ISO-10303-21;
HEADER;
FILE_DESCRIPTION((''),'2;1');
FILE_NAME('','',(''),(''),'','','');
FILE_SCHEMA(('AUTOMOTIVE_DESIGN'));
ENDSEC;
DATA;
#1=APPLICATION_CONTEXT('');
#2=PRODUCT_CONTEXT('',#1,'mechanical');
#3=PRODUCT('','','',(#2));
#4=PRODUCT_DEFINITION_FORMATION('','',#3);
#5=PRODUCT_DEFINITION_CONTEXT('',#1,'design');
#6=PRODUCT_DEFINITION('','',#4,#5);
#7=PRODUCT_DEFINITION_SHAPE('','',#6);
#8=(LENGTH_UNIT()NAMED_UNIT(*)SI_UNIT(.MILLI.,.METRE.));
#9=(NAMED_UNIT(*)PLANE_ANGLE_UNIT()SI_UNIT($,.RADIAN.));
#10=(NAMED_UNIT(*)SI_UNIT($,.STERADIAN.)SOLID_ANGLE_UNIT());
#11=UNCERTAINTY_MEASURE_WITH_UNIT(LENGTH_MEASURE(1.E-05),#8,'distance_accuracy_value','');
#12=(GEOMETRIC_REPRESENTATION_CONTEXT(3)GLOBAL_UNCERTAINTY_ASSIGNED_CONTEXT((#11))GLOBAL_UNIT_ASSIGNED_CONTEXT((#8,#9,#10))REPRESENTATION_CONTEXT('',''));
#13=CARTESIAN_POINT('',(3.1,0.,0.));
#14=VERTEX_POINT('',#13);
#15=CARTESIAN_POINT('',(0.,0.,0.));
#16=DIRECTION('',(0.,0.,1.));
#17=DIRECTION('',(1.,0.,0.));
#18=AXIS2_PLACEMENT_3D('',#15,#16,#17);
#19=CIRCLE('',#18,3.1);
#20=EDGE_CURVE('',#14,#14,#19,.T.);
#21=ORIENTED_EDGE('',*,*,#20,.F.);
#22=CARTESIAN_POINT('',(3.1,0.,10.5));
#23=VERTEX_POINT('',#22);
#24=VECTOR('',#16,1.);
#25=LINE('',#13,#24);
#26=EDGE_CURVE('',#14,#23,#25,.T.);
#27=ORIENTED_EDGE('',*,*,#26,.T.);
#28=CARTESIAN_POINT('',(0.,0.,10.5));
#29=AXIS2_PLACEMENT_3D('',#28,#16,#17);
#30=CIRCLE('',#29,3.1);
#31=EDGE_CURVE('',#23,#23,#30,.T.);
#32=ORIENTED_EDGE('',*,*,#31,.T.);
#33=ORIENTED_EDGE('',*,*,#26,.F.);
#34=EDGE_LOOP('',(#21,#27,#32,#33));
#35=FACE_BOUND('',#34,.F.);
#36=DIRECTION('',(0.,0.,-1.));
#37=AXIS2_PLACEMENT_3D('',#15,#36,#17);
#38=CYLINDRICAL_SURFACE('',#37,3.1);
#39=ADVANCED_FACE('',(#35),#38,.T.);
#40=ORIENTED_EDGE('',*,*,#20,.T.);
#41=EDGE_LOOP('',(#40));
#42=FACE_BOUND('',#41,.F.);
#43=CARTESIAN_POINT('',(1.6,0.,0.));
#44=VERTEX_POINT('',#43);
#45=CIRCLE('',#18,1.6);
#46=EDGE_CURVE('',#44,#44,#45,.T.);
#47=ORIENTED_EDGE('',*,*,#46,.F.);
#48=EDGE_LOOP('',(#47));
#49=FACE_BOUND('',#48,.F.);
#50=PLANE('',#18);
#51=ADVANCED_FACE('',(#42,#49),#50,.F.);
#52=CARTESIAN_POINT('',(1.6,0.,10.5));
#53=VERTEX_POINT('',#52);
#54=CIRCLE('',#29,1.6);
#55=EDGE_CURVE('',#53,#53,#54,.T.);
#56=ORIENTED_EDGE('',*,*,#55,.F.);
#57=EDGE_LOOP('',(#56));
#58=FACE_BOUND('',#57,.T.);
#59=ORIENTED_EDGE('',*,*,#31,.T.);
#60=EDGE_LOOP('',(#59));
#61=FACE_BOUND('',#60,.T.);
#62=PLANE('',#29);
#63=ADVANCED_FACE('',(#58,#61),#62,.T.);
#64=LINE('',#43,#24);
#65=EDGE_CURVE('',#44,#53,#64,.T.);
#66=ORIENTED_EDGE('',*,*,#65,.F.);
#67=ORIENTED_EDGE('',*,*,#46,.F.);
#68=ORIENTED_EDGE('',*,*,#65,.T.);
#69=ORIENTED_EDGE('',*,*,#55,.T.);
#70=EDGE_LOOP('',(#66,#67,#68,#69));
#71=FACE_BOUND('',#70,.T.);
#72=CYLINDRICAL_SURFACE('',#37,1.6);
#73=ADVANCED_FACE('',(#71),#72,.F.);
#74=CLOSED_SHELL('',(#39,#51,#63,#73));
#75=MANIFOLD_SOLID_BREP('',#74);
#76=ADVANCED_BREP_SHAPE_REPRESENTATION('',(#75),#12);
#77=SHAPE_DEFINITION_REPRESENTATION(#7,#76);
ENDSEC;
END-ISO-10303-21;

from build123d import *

# Parameters (mm, degrees)
SKETCH_R   = 3.1
SKETCH_R_2 = 1.6
PAD_DEPTH  = 10.5


with BuildPart() as part:
    # Sketch → Pad (new body)
    with BuildSketch(Plane.XY):
        Circle(SKETCH_R)
        Circle(SKETCH_R_2, mode=Mode.SUBTRACT)
    extrude(amount=PAD_DEPTH)


solid = part.part
